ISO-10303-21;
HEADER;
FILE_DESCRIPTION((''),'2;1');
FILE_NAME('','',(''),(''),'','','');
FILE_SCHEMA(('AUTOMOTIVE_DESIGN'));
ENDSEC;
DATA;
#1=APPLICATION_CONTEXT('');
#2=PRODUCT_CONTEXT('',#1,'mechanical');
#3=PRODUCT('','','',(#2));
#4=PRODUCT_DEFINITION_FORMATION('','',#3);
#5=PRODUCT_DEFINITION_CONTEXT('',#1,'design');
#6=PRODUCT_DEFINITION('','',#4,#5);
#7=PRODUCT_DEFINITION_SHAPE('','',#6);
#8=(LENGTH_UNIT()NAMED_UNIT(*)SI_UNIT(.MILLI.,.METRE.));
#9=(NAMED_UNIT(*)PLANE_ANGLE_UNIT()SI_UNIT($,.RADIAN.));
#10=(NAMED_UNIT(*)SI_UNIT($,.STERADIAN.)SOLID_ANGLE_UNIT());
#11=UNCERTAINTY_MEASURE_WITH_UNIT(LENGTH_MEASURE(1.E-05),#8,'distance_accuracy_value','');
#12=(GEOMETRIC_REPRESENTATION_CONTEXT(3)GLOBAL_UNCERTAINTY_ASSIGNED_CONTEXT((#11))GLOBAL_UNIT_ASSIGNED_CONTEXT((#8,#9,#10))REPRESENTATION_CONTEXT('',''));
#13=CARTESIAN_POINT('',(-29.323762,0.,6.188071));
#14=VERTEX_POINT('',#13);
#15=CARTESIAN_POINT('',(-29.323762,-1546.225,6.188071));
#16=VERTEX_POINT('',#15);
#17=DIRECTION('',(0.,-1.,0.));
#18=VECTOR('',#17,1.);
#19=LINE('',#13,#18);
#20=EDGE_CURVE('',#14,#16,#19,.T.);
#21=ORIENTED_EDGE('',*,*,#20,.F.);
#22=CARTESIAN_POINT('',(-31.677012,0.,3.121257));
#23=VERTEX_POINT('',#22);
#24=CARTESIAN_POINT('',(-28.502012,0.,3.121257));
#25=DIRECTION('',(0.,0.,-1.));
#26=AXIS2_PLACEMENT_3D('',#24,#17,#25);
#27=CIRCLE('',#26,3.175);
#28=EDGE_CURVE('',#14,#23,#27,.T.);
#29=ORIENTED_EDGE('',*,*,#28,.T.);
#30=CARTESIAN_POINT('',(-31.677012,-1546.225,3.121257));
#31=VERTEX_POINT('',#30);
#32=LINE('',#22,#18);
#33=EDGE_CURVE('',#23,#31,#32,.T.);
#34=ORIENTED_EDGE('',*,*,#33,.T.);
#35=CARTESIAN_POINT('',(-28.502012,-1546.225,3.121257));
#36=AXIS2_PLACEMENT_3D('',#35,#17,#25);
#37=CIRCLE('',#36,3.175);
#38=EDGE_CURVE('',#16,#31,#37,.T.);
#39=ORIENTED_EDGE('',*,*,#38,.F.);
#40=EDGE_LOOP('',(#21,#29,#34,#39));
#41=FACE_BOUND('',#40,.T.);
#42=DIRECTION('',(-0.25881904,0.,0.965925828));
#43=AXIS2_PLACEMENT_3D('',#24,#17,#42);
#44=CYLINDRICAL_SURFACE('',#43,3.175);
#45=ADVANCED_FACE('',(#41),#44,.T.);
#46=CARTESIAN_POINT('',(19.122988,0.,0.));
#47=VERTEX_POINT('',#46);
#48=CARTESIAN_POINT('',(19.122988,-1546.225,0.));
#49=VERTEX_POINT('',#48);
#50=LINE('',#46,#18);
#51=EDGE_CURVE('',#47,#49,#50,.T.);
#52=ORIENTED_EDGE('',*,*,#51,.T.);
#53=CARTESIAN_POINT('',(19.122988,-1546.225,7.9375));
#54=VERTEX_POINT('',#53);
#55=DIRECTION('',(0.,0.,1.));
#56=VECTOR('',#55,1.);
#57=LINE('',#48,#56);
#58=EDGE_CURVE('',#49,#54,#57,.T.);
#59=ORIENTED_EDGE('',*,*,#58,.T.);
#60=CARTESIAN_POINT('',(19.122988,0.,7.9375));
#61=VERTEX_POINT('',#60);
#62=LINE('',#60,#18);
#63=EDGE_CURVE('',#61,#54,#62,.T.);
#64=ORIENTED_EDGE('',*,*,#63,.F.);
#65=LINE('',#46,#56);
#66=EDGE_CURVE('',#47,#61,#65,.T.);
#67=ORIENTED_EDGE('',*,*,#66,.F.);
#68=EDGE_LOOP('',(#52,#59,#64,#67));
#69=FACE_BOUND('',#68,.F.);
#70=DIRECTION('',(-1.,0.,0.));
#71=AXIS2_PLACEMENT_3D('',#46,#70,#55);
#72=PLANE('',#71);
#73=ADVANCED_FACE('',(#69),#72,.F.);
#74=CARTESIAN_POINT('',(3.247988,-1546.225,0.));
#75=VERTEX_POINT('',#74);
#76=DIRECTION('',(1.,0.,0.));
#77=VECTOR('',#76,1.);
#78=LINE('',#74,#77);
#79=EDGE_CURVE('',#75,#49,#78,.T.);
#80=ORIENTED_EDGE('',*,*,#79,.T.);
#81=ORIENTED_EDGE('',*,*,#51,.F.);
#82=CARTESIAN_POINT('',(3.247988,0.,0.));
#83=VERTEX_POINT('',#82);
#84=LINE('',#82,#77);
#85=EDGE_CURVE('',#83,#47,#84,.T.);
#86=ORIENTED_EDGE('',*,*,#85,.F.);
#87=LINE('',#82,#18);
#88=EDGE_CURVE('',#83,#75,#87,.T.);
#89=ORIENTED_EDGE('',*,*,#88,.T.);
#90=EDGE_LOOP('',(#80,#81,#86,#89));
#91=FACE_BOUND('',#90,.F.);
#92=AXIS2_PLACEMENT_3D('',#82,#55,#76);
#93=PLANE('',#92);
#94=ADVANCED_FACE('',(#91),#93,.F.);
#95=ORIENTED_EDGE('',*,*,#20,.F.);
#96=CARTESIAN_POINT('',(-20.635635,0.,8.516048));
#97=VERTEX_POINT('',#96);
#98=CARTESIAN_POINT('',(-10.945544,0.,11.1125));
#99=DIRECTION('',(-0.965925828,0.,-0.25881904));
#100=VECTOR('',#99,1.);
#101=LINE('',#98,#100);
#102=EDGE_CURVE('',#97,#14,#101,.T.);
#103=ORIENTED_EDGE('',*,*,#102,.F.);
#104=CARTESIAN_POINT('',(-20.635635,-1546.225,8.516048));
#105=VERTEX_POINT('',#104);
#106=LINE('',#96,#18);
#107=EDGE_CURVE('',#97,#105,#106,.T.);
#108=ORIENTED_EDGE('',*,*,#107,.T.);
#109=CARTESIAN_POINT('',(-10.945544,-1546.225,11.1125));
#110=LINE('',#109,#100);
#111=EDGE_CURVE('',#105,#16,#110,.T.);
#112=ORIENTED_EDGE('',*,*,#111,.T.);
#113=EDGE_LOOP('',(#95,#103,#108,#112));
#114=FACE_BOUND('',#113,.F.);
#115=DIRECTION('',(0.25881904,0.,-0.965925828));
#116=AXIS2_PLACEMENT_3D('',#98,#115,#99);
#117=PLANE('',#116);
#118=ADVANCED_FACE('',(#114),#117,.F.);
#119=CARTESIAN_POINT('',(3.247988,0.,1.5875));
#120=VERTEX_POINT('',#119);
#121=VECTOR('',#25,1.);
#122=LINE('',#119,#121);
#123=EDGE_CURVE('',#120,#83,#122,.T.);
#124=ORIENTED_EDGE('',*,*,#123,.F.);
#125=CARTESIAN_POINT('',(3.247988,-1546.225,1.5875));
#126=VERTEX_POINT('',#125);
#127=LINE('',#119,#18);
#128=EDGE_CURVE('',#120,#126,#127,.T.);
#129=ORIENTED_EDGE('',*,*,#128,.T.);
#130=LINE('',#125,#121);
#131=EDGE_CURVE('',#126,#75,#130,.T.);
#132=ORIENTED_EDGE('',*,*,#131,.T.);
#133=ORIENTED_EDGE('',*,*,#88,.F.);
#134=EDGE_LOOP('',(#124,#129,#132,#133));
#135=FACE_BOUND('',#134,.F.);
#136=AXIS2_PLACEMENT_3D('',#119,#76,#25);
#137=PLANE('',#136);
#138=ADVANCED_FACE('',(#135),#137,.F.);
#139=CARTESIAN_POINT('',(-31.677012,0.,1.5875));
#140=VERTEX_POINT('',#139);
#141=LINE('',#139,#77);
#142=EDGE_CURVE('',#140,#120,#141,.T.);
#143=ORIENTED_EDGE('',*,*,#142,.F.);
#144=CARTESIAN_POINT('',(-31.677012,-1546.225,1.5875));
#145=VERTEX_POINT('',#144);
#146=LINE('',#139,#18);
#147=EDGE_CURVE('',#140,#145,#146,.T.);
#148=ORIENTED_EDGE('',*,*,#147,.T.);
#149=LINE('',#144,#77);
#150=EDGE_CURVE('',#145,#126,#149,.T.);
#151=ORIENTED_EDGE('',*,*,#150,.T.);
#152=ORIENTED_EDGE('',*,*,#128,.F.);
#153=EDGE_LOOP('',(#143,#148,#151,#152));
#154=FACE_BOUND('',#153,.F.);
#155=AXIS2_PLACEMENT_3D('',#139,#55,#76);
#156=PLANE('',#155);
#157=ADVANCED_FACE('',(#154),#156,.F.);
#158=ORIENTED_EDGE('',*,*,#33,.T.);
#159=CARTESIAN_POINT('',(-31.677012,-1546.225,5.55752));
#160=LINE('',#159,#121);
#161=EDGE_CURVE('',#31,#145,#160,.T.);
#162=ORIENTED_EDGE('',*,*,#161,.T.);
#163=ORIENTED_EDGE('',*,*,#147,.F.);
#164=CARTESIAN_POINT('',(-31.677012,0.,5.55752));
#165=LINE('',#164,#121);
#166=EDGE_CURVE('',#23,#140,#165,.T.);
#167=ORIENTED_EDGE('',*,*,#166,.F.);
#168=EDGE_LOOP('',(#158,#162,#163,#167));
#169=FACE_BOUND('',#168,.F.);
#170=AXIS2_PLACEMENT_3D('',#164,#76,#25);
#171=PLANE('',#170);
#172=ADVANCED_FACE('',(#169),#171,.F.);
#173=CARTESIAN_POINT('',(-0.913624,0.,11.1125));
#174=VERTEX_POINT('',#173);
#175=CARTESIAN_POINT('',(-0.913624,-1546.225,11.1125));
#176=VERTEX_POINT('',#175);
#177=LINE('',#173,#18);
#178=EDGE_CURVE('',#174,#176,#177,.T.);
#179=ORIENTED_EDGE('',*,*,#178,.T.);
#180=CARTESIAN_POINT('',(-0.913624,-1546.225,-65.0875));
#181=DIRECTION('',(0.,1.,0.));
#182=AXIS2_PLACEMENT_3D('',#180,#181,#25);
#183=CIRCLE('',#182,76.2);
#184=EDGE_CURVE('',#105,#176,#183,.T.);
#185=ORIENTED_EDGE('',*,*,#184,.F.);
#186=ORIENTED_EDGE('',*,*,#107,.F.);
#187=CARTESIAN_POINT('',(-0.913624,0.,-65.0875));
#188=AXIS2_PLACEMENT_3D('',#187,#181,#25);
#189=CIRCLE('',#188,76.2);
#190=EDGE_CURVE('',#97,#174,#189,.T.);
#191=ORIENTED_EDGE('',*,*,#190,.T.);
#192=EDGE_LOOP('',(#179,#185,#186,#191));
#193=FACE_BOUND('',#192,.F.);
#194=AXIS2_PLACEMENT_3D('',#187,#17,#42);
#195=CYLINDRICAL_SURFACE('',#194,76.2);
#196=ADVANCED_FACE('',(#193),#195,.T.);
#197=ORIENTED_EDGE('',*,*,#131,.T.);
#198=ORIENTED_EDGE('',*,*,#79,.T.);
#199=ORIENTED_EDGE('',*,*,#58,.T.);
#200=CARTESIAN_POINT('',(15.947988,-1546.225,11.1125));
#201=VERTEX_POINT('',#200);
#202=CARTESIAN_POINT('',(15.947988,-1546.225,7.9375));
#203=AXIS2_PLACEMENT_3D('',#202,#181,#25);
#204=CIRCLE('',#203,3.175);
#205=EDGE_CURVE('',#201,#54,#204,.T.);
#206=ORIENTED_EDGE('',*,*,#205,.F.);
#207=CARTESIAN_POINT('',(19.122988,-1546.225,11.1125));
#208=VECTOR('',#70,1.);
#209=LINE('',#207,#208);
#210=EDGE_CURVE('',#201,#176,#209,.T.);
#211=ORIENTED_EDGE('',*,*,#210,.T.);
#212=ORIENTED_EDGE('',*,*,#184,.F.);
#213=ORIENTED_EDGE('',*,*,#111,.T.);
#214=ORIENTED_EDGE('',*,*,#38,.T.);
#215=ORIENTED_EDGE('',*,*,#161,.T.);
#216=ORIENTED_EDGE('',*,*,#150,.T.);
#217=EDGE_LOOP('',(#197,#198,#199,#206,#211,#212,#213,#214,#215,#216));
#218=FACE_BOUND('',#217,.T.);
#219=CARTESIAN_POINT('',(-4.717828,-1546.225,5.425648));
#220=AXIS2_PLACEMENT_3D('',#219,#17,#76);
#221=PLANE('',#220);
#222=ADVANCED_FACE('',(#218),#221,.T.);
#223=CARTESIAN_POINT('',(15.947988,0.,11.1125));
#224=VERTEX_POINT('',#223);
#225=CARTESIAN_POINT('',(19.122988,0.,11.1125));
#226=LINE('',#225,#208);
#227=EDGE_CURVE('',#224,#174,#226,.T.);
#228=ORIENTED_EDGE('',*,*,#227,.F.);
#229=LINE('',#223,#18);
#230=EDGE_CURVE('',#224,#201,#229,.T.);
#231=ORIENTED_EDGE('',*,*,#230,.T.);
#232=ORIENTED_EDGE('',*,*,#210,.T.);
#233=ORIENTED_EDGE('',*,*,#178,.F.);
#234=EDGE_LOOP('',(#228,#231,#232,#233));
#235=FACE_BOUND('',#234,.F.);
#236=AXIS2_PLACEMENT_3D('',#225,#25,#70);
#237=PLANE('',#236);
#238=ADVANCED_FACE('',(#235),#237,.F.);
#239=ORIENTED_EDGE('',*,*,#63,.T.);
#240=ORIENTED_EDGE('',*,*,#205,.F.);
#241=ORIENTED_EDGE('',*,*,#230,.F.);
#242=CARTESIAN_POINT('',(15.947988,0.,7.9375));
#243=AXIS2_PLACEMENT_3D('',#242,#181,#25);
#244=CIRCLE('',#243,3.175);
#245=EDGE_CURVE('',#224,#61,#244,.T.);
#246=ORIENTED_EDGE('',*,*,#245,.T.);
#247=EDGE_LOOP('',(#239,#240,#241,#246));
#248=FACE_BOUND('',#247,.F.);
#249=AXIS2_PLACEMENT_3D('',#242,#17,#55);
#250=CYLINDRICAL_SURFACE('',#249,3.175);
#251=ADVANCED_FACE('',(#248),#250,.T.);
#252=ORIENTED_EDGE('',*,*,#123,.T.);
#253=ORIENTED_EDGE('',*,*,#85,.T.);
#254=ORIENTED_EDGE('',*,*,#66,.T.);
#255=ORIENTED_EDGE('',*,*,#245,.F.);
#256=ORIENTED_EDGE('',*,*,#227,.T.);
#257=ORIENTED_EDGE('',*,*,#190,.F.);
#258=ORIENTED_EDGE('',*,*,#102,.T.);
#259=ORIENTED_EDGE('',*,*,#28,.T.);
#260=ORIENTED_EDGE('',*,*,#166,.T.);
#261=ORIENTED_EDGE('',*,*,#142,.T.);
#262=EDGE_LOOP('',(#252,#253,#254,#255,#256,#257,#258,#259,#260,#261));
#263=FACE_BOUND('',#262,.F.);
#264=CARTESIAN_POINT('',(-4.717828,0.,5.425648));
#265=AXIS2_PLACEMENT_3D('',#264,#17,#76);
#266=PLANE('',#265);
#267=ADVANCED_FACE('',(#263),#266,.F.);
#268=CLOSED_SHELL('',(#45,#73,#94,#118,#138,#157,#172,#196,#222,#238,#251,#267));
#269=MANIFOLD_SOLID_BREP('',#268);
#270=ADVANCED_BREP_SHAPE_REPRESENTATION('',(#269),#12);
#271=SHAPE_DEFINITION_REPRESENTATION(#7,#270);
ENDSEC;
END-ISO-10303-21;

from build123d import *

# Parameters (mm, degrees)
F1_DEPTH = 1546.225
F2_R     = 76.2
F3_R     = 3.175
F4_R     = 3.175


with BuildPart() as f1:
    # F0 (on Front) → F1 (new body)
    with BuildSketch(Plane.XZ):
        Polygon((-10.945544, 11.1125), (-31.677012, 5.55752), (-31.677012, 1.5875), (3.247988, 1.5875), (3.247988, 0), (19.122988, 0), (19.122988, 11.1125), align=None)
    extrude(amount=F1_DEPTH)

    # F2
    f2_edges = [f1.edges().sort_by_distance(p)[0] for p in [
        (-10.945544, -773.1125, 11.1125),
    ]]
    fillet(f2_edges, radius=F2_R)

    # F3
    f3_edges = [f1.edges().sort_by_distance(p)[0] for p in [
        (-31.677012, -773.1125, 5.55752),
    ]]
    fillet(f3_edges, radius=F3_R)

    # F4
    f4_edges = [f1.edges().sort_by_distance(p)[0] for p in [
        (19.122988, -773.1125, 11.1125),
    ]]
    fillet(f4_edges, radius=F4_R)


solid = f1.part
